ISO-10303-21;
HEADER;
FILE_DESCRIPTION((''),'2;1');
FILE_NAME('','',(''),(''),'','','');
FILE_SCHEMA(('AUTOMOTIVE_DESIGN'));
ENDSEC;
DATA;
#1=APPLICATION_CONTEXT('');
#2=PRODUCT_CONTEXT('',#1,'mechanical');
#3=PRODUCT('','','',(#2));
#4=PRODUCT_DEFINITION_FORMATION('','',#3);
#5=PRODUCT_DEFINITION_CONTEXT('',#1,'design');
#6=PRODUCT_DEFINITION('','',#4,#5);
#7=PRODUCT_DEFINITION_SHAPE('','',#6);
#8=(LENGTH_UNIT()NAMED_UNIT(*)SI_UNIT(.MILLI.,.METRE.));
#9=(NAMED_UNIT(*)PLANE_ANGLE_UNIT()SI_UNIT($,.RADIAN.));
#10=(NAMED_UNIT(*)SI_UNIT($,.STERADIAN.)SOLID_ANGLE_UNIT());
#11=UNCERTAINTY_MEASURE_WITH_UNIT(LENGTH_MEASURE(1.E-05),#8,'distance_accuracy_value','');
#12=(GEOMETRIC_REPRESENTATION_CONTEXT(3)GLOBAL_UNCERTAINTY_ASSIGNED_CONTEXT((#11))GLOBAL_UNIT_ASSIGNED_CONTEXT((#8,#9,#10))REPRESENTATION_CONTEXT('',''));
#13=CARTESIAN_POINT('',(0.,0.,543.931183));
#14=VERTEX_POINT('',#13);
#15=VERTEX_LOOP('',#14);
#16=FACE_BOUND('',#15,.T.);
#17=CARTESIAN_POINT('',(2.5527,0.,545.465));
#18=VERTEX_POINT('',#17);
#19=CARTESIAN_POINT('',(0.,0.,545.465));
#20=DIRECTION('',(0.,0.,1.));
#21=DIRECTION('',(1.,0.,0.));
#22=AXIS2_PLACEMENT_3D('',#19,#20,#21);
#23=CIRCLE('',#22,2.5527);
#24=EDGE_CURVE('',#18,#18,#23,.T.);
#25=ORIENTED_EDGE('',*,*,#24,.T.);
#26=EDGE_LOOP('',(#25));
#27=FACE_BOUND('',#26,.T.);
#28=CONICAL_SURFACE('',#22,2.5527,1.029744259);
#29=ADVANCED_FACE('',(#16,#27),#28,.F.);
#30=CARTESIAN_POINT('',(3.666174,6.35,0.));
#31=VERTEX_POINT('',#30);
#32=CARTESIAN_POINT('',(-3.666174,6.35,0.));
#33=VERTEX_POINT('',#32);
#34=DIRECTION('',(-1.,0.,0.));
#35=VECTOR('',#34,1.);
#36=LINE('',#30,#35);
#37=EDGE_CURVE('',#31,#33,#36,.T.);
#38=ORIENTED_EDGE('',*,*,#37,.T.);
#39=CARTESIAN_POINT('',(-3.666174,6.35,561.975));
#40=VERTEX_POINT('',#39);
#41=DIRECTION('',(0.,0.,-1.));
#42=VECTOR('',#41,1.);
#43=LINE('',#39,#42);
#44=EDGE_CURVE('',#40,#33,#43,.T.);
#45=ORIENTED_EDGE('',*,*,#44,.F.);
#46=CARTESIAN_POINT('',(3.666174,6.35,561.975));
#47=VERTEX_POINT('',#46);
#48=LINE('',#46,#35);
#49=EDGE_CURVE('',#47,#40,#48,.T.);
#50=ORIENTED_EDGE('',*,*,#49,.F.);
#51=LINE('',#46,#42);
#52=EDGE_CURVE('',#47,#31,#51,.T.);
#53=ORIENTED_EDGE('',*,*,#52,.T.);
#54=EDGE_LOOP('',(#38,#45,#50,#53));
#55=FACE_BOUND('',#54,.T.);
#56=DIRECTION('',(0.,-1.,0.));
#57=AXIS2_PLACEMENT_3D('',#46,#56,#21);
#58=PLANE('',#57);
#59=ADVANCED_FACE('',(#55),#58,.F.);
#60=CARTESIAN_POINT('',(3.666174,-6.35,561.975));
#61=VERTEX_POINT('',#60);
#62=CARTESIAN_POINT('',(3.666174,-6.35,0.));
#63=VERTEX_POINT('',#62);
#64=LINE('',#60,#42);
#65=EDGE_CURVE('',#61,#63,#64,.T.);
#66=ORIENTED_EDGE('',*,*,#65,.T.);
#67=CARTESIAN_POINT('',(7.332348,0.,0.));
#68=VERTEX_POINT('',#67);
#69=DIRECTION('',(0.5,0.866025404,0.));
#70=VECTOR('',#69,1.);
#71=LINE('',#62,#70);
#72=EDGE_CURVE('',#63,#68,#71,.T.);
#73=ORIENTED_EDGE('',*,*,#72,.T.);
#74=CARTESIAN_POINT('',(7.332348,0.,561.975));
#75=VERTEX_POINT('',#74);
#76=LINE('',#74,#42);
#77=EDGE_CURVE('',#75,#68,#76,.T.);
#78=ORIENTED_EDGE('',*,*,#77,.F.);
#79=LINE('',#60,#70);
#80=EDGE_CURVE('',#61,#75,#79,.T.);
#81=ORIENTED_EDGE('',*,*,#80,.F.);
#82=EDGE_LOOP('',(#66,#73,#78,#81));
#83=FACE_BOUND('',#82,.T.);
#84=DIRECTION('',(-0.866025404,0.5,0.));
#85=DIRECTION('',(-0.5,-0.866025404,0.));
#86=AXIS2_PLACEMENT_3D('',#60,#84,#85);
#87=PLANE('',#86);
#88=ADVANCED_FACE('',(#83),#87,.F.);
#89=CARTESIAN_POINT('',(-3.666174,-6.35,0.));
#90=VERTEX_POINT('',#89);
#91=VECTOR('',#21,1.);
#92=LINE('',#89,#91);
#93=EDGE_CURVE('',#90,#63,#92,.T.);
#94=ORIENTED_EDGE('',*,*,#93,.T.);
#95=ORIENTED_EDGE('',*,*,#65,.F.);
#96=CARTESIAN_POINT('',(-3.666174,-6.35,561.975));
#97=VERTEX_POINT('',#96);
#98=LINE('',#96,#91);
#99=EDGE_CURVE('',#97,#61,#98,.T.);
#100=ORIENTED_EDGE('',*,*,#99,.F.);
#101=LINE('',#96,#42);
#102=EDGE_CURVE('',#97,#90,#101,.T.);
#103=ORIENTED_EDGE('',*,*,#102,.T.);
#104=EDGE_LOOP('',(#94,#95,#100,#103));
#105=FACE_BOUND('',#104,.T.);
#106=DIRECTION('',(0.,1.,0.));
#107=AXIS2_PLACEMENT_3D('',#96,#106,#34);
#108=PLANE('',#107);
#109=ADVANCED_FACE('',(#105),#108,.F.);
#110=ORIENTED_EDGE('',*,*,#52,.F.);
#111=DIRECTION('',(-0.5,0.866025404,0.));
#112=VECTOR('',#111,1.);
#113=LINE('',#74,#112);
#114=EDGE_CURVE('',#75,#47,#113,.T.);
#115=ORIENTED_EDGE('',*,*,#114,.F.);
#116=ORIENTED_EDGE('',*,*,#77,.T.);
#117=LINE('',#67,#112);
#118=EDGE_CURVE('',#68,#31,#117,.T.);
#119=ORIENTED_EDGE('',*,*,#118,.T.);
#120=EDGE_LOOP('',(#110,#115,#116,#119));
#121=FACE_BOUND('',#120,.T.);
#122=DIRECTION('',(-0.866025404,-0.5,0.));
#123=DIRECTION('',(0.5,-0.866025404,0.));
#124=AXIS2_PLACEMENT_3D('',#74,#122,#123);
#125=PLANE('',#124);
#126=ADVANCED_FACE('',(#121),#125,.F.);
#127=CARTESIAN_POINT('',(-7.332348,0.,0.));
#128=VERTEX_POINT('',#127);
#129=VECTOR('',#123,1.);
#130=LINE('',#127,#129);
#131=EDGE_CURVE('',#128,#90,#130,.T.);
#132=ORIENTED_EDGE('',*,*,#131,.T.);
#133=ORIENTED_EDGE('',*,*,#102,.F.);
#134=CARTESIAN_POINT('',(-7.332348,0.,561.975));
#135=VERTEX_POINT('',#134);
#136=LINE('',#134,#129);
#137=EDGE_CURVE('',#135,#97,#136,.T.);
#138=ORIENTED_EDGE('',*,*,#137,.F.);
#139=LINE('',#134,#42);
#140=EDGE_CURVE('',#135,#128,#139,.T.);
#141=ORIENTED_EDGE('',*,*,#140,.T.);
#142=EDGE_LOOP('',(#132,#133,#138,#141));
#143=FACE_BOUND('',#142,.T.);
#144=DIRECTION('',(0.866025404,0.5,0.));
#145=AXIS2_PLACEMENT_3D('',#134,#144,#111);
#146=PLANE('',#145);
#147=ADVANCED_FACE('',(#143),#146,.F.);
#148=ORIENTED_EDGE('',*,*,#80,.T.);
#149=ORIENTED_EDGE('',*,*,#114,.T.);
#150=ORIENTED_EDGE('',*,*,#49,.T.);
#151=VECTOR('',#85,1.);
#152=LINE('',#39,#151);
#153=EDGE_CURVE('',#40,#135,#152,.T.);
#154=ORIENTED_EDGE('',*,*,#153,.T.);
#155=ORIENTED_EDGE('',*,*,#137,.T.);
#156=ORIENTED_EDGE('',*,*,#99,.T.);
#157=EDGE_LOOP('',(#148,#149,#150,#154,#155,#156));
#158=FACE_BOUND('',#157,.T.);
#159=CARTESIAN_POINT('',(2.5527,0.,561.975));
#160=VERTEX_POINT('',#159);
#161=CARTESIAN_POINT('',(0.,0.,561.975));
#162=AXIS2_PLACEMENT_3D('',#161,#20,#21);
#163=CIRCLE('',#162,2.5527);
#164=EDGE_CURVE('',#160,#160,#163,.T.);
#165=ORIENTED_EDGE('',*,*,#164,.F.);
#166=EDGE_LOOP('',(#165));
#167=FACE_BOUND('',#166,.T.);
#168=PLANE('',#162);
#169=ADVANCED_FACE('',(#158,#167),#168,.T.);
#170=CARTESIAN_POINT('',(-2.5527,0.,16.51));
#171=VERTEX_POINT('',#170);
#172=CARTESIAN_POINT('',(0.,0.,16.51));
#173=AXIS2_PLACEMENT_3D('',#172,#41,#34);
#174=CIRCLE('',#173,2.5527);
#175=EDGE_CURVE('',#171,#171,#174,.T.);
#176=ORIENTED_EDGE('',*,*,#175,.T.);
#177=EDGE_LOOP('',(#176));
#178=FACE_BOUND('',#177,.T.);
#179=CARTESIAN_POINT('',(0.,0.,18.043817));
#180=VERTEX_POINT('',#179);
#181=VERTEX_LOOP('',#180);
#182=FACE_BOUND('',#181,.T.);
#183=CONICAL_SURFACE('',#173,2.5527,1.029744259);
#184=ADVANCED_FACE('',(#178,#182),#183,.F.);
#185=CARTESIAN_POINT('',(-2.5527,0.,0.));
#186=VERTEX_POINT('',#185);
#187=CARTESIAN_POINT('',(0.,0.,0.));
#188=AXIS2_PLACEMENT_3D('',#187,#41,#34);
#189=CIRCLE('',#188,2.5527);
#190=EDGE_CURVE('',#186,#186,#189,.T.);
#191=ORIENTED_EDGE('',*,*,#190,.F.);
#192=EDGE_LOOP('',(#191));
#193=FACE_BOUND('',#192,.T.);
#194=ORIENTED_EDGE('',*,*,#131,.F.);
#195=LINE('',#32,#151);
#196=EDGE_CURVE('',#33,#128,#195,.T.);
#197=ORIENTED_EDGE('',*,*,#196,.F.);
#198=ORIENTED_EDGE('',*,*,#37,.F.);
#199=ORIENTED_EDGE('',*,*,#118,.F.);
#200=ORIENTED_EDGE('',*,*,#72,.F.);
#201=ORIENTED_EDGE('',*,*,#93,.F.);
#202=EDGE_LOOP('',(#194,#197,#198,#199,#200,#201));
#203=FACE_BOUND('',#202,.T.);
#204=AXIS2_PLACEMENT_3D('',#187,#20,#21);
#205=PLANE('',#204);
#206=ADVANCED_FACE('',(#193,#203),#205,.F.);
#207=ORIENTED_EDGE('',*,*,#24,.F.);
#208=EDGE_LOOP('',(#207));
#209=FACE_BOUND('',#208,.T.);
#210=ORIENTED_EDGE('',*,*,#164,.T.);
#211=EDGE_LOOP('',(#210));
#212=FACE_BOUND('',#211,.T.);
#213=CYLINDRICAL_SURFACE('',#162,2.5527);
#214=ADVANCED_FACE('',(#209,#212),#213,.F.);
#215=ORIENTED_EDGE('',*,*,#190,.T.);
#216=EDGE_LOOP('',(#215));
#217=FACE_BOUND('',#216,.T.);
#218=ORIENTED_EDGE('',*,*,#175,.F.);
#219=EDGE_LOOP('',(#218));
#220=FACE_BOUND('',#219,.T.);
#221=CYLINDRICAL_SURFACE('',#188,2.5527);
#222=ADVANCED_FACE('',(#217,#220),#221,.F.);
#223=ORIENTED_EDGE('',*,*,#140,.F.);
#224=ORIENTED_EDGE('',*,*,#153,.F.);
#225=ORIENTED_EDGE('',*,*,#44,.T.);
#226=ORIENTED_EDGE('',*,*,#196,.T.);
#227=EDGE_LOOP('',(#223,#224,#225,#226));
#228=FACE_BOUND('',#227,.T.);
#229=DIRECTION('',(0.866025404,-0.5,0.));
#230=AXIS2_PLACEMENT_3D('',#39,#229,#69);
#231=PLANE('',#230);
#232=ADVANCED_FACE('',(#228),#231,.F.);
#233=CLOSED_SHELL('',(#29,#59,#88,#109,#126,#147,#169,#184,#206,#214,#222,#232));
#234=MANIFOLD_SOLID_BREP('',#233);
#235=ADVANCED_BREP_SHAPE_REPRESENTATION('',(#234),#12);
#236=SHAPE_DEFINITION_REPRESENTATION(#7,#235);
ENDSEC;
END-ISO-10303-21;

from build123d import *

# Parameters (mm, degrees)
BOSS_EXTRUDE1_DEPTH         = 561.975
F_1_4_20_TAPPED_HOLE1_D     = 5.1054
F_1_4_20_TAPPED_HOLE1_DEPTH = 16.51
F_1_4_20_TAPPED_HOLE1_TIP   = 1.533816902
F_1_4_20_TAPPED_HOLE2_D     = 5.1054
F_1_4_20_TAPPED_HOLE2_DEPTH = 16.51
F_1_4_20_TAPPED_HOLE2_TIP   = 1.533816902


with BuildPart() as part:
    # Sketch1 → Boss-Extrude1 (new body)
    with BuildSketch(Plane.XY):
        Polygon((7.332348419, 0), (3.666174209, 6.35), (-3.666174209, 6.35), (-7.332348419, 0), (-3.666174209, -6.35), (3.666174209, -6.35), align=None)
    extrude(amount=BOSS_EXTRUDE1_DEPTH)

    # 1/4-20 Tapped Hole1
    with Locations(Plane.XY.offset(561.975)):
        with Locations((0, 0)):
            Hole(F_1_4_20_TAPPED_HOLE1_D / 2, depth=F_1_4_20_TAPPED_HOLE1_DEPTH)
            with Locations((0, 0, -(F_1_4_20_TAPPED_HOLE1_DEPTH + F_1_4_20_TAPPED_HOLE1_TIP / 2))):  # 118° drill point
                Cone(0, F_1_4_20_TAPPED_HOLE1_D / 2, F_1_4_20_TAPPED_HOLE1_TIP, mode=Mode.SUBTRACT)

    # 1/4-20 Tapped Hole2
    with Locations(Plane(origin=(0, 0, 0), x_dir=(-1, 0, 0), z_dir=(0, 0, -1))):
        with Locations((0, 0)):
            Hole(F_1_4_20_TAPPED_HOLE2_D / 2, depth=F_1_4_20_TAPPED_HOLE2_DEPTH)
            with Locations((0, 0, -(F_1_4_20_TAPPED_HOLE2_DEPTH + F_1_4_20_TAPPED_HOLE2_TIP / 2))):  # 118° drill point
                Cone(0, F_1_4_20_TAPPED_HOLE2_D / 2, F_1_4_20_TAPPED_HOLE2_TIP, mode=Mode.SUBTRACT)


solid = part.part
